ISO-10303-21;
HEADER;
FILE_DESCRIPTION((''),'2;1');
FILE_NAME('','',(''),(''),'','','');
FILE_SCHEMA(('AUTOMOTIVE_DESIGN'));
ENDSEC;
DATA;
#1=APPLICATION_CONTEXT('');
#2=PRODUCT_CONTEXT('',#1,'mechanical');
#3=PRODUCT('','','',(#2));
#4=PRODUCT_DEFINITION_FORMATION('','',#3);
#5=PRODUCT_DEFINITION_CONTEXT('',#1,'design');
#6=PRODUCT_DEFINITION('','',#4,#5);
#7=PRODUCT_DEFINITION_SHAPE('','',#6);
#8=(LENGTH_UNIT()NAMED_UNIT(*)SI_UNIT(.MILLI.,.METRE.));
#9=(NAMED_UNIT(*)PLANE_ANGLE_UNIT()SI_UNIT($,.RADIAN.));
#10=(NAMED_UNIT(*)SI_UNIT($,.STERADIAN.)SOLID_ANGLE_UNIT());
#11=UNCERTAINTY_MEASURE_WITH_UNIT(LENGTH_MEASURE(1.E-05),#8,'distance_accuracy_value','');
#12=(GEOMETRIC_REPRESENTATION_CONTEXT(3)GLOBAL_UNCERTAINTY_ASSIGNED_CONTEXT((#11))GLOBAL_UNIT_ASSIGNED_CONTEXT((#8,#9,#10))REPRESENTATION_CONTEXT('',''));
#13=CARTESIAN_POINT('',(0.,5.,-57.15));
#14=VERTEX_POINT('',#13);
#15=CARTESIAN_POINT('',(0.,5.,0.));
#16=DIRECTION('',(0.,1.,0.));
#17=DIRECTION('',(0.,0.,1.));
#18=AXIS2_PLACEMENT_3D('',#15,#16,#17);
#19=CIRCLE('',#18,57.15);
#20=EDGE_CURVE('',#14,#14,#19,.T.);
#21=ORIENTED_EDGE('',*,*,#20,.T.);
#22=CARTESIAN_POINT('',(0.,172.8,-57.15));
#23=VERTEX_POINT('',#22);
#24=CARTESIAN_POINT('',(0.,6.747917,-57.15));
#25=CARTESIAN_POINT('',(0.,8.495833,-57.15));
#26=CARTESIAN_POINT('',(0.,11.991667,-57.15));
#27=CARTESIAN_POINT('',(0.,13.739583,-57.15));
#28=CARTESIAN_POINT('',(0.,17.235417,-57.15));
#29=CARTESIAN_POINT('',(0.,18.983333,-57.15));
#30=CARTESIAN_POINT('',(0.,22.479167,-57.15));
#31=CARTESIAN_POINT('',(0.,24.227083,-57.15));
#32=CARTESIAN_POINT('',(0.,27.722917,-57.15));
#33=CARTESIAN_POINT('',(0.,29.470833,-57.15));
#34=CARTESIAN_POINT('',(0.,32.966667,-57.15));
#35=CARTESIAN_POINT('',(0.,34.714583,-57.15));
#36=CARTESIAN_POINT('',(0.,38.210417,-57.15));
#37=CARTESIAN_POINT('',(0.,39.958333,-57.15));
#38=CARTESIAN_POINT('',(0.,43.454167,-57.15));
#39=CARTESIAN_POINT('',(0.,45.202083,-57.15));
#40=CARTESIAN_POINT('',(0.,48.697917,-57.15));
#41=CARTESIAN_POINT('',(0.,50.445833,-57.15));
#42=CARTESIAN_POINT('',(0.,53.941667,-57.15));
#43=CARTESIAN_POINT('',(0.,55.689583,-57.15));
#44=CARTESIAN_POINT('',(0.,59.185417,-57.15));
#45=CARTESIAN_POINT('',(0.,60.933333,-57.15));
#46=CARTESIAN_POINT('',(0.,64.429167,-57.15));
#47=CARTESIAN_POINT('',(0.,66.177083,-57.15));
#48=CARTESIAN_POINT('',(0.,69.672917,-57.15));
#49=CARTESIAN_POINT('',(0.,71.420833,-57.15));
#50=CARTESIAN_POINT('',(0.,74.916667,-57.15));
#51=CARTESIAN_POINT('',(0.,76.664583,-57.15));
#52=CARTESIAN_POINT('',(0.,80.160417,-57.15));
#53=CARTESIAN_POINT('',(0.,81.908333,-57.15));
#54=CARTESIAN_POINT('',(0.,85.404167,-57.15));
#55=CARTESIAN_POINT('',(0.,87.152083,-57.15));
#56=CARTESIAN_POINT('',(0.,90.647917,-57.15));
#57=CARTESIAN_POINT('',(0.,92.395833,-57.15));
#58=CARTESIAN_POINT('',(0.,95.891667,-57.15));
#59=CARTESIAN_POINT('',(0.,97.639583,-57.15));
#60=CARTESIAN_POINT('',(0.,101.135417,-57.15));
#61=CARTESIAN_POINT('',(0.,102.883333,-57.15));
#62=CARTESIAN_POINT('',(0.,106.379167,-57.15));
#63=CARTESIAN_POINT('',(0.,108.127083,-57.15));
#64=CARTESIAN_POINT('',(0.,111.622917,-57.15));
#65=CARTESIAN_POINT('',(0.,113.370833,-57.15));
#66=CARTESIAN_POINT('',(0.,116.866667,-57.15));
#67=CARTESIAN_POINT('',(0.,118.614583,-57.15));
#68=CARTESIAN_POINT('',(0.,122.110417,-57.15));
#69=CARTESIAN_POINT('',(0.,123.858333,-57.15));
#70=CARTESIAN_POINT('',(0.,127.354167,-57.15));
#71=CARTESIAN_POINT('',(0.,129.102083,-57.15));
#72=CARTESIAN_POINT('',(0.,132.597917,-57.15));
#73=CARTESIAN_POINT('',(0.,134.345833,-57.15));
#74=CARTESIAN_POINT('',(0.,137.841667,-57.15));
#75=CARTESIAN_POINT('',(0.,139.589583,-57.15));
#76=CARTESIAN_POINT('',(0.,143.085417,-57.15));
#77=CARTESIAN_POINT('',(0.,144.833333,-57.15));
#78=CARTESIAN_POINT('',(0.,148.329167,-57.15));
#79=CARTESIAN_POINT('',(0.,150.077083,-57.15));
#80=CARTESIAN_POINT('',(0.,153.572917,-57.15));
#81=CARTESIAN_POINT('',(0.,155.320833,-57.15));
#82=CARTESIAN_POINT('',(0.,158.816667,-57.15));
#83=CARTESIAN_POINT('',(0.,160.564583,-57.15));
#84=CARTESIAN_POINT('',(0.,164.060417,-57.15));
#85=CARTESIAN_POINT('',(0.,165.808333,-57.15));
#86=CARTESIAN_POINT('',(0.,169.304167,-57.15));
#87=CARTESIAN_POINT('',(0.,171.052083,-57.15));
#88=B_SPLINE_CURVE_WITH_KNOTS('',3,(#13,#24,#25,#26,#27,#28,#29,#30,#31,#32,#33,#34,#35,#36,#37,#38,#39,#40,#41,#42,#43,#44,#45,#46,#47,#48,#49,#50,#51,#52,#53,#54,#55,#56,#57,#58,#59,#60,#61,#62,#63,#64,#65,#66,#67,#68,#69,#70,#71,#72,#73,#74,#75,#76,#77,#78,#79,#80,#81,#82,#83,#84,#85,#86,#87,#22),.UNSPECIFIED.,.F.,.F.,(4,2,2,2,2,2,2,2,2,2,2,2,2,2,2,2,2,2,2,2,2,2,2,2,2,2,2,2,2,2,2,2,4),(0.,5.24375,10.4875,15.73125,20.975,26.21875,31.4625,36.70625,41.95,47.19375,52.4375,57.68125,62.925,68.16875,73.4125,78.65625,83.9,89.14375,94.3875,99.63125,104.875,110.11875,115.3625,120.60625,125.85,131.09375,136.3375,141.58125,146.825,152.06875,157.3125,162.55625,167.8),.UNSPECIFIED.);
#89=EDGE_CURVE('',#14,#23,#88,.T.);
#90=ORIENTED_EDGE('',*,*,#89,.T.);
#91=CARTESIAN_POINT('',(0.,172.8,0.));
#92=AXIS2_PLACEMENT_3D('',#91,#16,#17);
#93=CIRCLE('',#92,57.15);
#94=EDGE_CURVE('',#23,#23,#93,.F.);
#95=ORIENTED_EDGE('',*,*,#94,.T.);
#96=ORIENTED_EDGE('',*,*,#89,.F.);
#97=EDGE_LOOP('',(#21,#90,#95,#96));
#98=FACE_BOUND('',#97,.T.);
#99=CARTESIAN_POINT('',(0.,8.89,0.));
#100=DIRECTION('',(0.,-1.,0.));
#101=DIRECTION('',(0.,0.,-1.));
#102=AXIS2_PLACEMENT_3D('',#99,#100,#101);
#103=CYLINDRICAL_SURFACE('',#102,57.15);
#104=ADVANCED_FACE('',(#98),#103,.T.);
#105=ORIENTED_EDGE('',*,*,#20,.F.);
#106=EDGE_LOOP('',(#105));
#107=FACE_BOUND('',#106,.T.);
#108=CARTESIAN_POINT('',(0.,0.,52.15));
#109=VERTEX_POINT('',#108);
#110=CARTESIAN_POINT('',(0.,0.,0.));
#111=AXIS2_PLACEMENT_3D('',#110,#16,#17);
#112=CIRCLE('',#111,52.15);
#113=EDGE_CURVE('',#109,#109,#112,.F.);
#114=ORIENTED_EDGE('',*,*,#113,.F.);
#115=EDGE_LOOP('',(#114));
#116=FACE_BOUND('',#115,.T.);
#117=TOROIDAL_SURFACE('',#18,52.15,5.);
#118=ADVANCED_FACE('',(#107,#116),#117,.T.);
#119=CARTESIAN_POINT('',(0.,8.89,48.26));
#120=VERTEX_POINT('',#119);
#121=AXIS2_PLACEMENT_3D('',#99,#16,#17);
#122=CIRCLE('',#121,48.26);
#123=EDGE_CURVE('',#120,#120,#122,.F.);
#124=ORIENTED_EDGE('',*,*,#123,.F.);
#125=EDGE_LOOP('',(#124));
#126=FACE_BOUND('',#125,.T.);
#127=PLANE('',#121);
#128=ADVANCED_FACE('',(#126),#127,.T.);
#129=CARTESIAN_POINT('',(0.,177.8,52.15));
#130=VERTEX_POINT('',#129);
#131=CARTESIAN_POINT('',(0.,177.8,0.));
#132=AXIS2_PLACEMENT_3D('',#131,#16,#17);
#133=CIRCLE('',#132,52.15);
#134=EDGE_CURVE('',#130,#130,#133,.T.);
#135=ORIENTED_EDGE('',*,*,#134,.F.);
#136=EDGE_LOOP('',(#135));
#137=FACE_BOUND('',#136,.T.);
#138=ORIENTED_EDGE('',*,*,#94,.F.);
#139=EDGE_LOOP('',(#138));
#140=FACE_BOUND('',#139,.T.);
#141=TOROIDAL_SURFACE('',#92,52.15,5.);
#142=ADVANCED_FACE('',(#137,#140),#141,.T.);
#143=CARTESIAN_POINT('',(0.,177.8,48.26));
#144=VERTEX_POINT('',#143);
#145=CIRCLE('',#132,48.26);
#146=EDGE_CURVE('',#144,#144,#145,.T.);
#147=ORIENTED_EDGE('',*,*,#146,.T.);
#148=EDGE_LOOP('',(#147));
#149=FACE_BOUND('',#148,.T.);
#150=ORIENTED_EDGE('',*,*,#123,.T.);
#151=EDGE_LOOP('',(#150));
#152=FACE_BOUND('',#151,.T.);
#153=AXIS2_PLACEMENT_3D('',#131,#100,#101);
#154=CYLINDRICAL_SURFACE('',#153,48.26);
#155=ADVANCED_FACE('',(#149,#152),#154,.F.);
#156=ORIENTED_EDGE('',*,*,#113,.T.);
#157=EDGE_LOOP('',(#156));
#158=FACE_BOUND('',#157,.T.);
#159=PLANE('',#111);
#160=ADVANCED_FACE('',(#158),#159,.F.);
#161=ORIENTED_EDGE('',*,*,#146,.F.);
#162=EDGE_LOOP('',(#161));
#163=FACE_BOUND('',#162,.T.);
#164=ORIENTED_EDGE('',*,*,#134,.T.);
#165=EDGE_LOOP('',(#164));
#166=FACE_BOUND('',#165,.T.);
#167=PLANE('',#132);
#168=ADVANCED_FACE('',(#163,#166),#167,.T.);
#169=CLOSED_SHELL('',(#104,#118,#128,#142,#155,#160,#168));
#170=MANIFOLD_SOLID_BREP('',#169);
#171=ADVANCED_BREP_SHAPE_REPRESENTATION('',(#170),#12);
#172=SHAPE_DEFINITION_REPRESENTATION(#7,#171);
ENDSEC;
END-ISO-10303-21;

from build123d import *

# Parameters (mm, degrees)
SKETCH1_R           = 57.15
BOSS_EXTRUDE1_DEPTH = 8.89
SKETCH1_4_R         = 57.15
SKETCH1_4_R_2       = 48.26
BOSS_EXTRUDE2_DEPTH = 177.8
FILLET1_R           = 5


with BuildPart() as part:
    # Sketch1 → Boss-Extrude1 (new body)
    with BuildSketch(Plane(origin=(0, 0, 0), x_dir=(1, 0, 0), z_dir=(0, 1, 0))):
        Circle(SKETCH1_R)
    extrude(amount=BOSS_EXTRUDE1_DEPTH)

    # Sketch1<4> → Boss-Extrude2 (add)
    with BuildSketch(Plane(origin=(0, 0, 0), x_dir=(1, 0, 0), z_dir=(0, 1, 0))):
        Circle(SKETCH1_4_R)
        Circle(SKETCH1_4_R_2, mode=Mode.SUBTRACT)
    extrude(amount=BOSS_EXTRUDE2_DEPTH)

    # Fillet1
    fillet1_edges = [part.edges().sort_by_distance(p)[0] for p in [
        (-57.15, 0, 0),
        (-57.15, 177.8, 0),
    ]]
    fillet(fillet1_edges, radius=FILLET1_R)


solid = part.part
